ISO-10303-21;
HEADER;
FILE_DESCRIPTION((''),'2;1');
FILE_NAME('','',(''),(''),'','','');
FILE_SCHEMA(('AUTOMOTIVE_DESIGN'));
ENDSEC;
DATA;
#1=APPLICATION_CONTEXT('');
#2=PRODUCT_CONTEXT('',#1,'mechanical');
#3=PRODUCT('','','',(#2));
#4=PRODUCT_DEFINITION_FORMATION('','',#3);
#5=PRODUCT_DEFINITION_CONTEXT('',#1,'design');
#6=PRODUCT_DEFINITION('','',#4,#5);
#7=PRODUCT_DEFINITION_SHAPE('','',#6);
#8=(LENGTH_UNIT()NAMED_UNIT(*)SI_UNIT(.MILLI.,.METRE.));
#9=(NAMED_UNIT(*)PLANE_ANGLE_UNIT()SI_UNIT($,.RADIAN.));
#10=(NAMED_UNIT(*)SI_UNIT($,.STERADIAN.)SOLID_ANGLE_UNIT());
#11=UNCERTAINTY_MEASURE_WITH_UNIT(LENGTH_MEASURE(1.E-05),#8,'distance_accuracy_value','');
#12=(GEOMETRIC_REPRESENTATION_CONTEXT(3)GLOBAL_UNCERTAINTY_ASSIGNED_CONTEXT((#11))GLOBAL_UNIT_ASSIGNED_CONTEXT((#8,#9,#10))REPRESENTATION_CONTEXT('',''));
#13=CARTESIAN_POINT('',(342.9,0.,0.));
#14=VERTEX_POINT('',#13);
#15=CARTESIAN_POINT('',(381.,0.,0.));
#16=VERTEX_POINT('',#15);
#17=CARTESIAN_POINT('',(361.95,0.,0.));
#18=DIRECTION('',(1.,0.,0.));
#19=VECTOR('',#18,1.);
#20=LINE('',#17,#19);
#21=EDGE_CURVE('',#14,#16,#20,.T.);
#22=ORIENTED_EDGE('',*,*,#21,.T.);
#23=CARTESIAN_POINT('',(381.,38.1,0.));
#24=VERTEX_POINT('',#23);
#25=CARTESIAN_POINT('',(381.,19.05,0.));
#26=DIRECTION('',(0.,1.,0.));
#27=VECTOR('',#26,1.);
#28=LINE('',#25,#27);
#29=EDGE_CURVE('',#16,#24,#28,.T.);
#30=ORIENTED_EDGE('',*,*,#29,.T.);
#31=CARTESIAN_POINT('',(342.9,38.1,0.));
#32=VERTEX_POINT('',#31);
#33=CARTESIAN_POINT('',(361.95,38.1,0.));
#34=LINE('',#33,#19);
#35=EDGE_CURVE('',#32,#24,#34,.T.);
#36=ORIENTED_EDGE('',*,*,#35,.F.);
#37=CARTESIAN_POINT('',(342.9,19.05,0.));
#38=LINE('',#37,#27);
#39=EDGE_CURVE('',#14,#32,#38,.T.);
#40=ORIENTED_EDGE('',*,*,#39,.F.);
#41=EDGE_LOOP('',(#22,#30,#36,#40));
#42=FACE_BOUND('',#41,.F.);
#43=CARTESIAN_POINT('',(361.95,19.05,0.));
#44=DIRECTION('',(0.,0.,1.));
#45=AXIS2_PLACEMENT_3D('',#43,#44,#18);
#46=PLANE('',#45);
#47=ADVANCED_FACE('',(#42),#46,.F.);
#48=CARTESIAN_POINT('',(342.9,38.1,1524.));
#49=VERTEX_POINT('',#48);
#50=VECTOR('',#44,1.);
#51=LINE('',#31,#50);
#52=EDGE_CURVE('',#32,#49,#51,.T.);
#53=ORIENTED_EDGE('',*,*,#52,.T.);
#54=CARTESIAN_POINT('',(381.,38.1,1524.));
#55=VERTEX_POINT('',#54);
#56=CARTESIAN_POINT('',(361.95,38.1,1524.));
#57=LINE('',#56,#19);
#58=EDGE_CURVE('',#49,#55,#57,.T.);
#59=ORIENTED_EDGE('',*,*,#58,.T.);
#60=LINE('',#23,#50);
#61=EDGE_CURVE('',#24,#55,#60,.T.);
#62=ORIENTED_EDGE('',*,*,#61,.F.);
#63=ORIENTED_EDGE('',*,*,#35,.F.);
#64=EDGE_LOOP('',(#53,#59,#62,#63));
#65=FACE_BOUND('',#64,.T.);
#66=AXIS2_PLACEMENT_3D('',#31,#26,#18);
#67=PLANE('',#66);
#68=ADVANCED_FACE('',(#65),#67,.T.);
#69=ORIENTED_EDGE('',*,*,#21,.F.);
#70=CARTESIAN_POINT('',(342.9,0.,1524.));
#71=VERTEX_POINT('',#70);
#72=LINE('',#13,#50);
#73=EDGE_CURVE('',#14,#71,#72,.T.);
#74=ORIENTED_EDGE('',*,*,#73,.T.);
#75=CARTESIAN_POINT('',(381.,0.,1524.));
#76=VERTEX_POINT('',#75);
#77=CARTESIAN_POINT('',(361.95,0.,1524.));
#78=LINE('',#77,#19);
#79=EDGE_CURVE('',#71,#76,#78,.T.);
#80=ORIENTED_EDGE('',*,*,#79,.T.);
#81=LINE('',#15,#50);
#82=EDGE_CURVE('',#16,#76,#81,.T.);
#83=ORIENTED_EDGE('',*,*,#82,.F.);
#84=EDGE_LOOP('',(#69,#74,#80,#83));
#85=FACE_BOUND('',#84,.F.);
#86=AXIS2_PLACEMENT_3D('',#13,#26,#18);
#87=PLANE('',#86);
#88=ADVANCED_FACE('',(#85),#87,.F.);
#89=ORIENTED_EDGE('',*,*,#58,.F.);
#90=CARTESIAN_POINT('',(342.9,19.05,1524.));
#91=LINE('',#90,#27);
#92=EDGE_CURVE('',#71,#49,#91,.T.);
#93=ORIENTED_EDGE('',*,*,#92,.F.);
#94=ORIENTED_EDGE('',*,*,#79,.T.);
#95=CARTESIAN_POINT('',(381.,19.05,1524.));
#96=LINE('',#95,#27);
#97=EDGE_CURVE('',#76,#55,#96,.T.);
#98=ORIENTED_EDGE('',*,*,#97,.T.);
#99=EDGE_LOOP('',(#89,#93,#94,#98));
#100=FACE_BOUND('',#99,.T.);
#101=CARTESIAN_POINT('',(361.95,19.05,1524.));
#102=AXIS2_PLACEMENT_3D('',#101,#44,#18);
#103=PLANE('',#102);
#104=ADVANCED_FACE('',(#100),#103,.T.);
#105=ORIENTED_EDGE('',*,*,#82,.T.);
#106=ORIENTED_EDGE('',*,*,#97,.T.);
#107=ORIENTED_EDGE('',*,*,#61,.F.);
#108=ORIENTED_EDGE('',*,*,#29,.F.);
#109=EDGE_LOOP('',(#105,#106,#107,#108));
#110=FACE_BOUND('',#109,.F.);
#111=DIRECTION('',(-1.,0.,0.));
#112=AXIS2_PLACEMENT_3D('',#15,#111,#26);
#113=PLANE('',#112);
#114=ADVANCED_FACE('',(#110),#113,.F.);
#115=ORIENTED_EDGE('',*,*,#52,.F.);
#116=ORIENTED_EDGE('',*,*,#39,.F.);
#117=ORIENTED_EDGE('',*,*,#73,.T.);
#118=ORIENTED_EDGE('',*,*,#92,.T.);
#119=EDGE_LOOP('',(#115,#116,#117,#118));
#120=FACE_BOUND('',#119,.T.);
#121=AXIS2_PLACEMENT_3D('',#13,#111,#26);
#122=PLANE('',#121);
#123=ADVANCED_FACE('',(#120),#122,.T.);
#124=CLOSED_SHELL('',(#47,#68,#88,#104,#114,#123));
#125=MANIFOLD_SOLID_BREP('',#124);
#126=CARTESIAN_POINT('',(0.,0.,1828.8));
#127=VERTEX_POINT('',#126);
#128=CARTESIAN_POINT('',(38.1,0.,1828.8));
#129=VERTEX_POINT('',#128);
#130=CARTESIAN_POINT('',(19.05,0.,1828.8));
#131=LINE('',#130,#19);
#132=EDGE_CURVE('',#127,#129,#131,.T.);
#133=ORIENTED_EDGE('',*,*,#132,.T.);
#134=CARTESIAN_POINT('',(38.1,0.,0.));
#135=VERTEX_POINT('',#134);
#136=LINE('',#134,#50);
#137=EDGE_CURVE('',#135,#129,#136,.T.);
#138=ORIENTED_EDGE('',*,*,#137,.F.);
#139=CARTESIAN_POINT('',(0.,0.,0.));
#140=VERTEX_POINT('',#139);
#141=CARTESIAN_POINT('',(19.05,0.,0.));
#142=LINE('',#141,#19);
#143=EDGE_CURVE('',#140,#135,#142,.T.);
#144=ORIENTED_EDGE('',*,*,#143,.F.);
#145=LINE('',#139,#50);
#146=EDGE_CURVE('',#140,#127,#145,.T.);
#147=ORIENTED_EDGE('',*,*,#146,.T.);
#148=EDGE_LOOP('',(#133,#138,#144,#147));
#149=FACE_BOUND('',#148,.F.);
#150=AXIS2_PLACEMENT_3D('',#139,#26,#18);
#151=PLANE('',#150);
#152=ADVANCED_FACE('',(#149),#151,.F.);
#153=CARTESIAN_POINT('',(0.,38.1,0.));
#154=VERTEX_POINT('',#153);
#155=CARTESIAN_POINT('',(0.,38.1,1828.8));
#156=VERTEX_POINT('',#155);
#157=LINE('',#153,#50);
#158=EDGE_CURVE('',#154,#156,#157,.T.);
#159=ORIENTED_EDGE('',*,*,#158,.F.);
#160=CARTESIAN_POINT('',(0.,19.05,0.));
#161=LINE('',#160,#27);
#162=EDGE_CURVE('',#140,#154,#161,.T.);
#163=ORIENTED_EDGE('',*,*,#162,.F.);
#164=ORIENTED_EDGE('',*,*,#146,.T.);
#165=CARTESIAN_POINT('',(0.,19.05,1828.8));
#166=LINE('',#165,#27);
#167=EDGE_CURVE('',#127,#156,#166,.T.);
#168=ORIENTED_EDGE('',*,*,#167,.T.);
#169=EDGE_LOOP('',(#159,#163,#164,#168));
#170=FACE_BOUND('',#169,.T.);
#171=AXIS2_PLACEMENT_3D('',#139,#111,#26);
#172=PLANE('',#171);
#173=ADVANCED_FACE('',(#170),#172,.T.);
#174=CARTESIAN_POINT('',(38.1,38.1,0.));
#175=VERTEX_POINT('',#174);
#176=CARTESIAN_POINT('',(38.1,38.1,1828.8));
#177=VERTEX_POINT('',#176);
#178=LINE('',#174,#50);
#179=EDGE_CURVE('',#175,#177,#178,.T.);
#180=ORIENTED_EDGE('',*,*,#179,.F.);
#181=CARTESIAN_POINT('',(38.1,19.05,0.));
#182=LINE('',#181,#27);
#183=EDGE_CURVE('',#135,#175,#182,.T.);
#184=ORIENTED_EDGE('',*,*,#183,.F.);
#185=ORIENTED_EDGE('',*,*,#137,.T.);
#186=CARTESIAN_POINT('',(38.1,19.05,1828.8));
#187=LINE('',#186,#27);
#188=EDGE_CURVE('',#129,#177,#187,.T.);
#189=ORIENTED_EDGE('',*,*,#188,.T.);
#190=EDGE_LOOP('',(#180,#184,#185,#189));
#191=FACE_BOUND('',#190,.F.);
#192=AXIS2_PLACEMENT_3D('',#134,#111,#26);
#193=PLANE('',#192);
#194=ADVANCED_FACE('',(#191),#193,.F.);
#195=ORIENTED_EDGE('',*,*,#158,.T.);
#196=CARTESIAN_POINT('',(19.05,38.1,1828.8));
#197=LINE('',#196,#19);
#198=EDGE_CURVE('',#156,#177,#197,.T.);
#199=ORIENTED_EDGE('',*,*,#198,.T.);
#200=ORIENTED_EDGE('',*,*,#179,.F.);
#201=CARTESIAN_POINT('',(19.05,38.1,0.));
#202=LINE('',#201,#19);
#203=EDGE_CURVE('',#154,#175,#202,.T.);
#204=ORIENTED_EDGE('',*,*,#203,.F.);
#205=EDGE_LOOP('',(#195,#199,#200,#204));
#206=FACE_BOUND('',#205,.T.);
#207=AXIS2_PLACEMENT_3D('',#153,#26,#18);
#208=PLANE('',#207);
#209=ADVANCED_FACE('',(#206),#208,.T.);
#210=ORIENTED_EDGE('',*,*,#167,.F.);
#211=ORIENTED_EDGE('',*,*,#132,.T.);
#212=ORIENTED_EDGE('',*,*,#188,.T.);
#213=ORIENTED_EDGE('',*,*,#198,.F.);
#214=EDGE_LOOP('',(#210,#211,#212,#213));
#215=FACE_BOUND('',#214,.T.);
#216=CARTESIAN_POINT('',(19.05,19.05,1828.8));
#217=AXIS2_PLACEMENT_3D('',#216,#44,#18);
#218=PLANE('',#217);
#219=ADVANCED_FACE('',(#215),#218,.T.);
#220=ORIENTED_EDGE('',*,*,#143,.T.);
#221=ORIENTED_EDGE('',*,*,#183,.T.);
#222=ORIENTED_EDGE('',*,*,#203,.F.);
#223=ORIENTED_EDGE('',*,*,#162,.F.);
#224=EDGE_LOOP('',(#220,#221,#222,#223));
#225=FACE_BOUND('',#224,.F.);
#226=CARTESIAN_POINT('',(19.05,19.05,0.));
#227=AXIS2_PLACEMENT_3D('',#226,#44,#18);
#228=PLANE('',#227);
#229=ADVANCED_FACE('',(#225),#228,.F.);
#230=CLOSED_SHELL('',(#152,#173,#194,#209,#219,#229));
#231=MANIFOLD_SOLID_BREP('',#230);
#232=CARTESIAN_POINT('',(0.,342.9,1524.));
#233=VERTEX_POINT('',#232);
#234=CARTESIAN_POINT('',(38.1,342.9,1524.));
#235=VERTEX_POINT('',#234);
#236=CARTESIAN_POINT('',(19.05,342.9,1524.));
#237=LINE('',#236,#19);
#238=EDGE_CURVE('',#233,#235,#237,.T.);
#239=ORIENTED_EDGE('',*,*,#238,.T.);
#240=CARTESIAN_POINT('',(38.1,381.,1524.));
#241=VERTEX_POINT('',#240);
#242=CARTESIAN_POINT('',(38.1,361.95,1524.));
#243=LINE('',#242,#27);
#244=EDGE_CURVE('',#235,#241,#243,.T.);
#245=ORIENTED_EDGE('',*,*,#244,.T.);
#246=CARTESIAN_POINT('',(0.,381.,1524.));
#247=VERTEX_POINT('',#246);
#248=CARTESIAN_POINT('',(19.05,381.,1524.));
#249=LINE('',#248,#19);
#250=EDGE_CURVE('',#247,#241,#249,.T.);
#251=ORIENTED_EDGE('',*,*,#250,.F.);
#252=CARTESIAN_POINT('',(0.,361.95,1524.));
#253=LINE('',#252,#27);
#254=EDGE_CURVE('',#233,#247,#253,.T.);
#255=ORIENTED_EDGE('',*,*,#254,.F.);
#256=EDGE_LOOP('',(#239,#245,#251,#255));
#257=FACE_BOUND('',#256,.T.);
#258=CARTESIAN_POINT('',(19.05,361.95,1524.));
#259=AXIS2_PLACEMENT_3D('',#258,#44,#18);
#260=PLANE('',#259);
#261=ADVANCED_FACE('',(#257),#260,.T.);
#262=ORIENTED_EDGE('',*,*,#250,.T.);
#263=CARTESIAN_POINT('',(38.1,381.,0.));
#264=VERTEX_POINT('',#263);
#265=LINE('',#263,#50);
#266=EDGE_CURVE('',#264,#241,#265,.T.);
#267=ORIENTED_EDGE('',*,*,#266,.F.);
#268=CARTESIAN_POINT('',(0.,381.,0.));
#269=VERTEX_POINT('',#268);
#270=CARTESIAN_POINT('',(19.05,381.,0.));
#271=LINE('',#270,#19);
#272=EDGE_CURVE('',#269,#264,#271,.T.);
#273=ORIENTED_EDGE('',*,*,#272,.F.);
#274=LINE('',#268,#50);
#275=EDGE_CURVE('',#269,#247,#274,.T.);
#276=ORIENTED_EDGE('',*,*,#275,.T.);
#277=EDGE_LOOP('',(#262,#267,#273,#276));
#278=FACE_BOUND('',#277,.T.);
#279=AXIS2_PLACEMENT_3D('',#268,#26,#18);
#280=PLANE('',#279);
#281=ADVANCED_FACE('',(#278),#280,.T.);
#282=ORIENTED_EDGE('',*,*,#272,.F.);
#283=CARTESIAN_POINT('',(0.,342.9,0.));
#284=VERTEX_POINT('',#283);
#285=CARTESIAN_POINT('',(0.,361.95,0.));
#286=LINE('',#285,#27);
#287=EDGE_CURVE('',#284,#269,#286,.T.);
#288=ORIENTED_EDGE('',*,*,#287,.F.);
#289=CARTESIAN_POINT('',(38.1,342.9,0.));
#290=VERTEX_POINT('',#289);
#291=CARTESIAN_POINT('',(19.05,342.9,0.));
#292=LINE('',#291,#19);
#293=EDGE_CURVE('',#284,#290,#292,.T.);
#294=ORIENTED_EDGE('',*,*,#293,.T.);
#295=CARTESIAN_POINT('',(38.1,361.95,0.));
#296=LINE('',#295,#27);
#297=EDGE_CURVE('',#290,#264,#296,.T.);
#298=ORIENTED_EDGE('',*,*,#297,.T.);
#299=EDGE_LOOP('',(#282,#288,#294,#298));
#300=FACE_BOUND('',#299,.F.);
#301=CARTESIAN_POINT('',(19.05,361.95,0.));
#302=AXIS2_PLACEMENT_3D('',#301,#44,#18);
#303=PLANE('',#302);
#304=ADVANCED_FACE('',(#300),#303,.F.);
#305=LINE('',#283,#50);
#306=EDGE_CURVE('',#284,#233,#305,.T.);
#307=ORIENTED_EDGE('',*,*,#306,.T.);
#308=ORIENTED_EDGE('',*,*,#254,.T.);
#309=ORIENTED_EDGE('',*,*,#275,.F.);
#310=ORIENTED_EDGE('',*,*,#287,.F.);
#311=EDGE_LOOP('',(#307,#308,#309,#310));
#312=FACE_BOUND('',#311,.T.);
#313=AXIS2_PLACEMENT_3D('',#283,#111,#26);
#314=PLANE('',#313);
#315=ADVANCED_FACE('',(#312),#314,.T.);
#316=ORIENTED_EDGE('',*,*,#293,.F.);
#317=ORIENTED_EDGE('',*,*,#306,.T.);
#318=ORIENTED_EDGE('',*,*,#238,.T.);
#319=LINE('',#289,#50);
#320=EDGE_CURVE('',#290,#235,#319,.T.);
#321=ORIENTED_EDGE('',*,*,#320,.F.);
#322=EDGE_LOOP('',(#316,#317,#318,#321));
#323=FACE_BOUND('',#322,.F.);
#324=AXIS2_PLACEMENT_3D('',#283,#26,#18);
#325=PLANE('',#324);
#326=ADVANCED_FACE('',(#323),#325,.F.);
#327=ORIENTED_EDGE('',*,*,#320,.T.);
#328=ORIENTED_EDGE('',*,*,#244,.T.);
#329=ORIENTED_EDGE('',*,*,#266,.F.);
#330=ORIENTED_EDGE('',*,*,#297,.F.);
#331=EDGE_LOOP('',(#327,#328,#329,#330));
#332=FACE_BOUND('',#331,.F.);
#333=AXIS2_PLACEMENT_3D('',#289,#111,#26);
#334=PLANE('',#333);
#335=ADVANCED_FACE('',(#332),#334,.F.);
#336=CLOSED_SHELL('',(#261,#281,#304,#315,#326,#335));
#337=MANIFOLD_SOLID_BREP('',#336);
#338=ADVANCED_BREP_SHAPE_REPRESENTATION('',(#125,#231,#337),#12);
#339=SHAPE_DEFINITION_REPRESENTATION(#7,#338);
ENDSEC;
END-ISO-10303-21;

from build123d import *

# Parameters (mm, degrees)
F0_W     = 38.1
F0_H     = 38.1
F1_DEPTH = 1828.8
F2_DEPTH = 1524


with BuildPart() as f1:
    # F0 (on Top) → F1 (new body)
    with BuildSketch(Plane.XY):
        with Locations((19.05, 19.05)):
            Rectangle(F0_W, F0_H)
    extrude(amount=F1_DEPTH)


with BuildPart() as f2:
    # F0 (on Top) → F2 (new body)
    with BuildSketch(Plane.XY):
        with Locations((19.05, 361.95)):
            Rectangle(F0_W, F0_H)
        with Locations((361.95, 19.05)):
            Rectangle(F0_W, F0_H)
    extrude(amount=F2_DEPTH)


solid = Compound([f1.part, f2.part])
